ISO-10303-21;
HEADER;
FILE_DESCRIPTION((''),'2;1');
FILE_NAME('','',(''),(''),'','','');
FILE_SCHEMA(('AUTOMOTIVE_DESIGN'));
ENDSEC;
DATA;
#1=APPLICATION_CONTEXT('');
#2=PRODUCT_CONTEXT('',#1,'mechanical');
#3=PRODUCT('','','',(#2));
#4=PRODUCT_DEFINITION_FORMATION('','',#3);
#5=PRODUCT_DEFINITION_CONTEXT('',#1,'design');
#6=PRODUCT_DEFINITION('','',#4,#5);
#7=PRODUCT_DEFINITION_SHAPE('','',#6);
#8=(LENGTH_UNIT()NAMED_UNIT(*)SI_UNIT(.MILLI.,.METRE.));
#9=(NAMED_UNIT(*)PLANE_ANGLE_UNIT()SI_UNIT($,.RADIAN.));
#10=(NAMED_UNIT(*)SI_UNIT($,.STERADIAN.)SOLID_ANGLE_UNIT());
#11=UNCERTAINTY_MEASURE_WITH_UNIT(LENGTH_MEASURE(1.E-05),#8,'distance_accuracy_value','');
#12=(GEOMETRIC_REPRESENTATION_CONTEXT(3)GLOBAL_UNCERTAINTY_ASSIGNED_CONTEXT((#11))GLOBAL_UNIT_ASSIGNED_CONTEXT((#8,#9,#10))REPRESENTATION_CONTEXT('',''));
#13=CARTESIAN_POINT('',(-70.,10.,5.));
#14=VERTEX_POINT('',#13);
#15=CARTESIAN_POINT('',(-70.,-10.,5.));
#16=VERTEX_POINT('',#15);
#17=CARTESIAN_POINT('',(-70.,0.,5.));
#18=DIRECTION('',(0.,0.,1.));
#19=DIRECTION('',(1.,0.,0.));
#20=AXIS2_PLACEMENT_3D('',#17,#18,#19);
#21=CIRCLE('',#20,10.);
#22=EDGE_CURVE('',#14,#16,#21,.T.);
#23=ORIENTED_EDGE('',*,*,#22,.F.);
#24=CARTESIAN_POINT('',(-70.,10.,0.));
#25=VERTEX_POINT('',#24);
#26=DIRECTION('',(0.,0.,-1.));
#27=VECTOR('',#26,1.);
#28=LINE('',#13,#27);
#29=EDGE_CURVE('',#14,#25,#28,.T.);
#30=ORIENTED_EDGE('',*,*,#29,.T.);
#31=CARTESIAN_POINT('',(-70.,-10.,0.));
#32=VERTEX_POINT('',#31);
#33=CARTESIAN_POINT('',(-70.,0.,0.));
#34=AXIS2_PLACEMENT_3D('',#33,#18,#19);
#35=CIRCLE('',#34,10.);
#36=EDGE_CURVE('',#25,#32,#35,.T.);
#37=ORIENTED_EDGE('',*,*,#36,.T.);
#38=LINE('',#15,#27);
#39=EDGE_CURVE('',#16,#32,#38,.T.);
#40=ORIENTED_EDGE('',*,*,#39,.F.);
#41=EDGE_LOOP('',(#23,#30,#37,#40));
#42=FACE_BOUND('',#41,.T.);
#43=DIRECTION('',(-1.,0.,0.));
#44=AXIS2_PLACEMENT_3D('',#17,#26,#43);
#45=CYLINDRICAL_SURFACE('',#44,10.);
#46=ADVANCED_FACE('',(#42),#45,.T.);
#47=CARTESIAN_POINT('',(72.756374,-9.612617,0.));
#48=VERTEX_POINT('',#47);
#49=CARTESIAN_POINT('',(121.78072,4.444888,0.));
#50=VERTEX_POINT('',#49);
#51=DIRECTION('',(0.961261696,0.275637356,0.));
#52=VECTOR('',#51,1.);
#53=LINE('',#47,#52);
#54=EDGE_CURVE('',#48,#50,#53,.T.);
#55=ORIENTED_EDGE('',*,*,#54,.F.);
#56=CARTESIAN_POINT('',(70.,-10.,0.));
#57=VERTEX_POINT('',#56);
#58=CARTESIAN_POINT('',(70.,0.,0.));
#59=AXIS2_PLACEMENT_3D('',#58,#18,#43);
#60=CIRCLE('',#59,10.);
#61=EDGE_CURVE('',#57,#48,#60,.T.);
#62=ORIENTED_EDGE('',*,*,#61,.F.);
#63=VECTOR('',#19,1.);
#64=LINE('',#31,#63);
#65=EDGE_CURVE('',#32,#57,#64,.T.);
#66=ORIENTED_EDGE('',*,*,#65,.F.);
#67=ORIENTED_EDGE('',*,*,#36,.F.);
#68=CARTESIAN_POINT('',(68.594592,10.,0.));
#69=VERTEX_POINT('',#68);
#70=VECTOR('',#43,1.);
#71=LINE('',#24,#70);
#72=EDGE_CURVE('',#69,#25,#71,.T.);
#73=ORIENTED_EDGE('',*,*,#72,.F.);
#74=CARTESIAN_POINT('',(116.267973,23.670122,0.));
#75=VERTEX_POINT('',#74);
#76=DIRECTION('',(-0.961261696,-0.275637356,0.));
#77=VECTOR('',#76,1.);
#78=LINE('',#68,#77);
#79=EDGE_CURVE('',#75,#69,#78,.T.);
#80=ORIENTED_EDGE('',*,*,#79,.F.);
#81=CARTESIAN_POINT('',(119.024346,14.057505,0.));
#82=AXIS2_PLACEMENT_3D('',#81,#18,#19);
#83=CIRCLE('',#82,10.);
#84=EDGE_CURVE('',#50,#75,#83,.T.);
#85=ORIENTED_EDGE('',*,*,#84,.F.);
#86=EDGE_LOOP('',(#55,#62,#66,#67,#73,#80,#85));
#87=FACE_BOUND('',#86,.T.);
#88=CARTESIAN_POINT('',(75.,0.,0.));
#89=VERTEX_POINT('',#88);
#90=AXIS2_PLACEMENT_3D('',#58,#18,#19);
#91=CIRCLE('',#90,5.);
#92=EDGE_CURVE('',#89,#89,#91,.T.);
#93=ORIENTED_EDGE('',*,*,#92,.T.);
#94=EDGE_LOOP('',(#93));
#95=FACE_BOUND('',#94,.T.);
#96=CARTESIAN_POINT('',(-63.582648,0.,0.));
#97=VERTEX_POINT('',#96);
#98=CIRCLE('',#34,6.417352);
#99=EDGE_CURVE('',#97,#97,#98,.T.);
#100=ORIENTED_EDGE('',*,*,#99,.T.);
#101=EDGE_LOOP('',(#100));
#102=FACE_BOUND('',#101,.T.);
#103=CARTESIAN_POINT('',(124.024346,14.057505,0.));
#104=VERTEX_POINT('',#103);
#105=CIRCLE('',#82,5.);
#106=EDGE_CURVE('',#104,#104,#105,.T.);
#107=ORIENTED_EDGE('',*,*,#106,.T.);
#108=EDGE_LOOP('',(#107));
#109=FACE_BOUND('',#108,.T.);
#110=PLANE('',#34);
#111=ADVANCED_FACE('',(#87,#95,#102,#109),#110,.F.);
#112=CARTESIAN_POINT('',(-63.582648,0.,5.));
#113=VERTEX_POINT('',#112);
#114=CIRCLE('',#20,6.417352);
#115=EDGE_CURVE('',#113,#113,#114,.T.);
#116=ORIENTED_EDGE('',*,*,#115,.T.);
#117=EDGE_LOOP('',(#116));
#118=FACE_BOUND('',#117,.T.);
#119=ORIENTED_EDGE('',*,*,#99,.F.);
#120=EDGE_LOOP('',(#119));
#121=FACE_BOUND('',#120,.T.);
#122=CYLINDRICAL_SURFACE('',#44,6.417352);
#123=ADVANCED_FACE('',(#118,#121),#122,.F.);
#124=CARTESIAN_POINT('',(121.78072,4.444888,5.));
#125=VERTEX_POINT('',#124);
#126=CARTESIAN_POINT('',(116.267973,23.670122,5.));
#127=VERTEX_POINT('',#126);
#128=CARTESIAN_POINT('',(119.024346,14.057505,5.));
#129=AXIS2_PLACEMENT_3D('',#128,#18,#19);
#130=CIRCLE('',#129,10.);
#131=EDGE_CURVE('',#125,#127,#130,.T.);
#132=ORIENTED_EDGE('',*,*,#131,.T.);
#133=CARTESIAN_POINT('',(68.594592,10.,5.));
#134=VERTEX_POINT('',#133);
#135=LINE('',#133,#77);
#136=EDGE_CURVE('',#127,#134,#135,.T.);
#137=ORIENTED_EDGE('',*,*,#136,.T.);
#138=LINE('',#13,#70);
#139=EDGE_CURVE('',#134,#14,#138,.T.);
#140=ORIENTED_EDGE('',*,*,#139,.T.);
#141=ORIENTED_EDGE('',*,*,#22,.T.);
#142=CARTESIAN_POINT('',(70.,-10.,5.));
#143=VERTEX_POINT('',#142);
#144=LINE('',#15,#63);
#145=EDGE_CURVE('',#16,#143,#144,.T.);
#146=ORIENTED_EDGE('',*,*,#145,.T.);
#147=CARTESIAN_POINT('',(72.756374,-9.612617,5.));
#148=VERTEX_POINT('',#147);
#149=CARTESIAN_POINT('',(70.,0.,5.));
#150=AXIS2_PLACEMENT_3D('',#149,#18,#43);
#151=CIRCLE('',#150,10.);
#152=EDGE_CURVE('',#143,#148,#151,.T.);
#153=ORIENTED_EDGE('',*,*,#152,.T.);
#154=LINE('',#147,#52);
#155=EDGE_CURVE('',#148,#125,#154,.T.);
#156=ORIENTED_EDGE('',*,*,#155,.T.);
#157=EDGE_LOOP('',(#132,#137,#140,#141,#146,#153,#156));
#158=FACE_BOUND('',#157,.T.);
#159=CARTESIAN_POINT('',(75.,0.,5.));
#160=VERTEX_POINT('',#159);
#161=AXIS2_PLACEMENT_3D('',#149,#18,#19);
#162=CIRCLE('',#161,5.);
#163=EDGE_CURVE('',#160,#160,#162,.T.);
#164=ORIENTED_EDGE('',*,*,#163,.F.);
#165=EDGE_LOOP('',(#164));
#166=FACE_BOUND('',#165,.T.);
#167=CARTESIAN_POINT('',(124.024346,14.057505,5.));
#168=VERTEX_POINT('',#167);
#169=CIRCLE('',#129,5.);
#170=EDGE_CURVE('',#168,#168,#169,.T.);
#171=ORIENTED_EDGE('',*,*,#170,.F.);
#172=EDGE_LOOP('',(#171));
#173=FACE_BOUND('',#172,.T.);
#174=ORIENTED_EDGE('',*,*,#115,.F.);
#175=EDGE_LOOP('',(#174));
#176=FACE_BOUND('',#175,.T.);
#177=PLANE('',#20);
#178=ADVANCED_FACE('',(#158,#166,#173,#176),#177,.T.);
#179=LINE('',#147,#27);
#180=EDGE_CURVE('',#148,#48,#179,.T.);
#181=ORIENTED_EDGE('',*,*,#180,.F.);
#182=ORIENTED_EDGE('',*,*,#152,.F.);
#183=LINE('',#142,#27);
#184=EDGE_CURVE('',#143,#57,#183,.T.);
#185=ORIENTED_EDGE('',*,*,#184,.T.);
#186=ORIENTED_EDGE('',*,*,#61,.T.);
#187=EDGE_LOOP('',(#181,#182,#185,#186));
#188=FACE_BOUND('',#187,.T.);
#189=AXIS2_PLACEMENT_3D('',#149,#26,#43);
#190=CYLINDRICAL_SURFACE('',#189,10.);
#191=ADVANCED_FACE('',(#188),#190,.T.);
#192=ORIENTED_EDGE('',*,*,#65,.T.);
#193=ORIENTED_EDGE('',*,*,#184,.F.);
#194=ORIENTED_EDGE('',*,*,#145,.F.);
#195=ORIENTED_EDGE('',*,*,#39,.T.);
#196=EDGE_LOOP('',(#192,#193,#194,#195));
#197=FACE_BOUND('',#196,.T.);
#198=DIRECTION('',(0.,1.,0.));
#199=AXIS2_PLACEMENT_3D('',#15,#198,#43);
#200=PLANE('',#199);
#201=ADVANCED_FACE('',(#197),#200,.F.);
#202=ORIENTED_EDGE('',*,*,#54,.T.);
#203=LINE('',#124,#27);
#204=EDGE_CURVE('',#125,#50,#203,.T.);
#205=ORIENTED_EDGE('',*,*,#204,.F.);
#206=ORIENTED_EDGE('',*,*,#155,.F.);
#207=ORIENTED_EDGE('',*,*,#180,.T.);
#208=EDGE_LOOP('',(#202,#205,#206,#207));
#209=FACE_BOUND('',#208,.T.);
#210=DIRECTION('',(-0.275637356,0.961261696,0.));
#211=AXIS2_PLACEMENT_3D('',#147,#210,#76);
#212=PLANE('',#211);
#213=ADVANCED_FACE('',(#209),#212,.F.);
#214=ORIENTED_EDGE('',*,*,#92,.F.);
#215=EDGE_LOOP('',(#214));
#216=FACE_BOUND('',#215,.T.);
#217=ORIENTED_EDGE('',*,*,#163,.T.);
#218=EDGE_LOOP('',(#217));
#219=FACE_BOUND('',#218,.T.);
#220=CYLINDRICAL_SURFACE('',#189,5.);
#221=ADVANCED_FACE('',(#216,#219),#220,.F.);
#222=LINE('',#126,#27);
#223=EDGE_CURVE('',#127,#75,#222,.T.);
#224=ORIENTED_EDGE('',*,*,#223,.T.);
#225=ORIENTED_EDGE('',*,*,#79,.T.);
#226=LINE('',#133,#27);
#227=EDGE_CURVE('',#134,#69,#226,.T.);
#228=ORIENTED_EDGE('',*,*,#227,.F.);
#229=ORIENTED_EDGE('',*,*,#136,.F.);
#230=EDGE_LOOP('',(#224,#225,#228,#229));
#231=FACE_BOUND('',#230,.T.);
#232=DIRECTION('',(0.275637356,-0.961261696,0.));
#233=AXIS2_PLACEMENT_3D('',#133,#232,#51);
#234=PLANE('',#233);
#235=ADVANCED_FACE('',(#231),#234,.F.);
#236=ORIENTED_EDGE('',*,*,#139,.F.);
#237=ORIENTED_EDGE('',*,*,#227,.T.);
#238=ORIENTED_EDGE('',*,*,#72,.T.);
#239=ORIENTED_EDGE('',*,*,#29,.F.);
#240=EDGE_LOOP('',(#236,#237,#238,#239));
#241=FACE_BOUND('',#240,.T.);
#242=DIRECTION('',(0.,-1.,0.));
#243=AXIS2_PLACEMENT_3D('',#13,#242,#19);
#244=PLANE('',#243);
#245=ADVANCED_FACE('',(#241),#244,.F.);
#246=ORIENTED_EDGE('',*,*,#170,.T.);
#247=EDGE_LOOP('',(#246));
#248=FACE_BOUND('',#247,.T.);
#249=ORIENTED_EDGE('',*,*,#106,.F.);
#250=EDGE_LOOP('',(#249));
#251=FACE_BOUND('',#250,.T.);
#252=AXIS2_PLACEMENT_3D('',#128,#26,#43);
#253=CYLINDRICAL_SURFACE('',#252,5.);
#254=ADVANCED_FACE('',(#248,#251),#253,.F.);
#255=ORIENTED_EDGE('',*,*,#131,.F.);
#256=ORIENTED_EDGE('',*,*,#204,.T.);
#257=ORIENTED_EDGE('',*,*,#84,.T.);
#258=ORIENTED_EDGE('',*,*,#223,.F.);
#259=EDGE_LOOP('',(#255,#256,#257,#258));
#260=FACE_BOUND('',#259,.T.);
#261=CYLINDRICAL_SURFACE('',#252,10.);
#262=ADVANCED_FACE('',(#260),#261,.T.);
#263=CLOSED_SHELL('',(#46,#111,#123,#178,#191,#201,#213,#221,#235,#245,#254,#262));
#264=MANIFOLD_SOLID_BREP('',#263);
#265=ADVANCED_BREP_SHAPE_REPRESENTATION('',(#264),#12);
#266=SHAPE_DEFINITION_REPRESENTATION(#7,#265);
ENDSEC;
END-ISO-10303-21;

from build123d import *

# Parameters (mm, degrees)
CROQUIS1_R              = 5
CROQUIS1_R_2            = 6.417351574
SALIENTE_EXTRUIR1_DEPTH = 5


with BuildPart() as part:
    # Croquis1 → Saliente-Extruir1 (new body)
    with BuildSketch(Plane.XY):
        with BuildLine():
            Line((-70, 10), (68.594591653, 10))
            Line((68.594591653, 10), (116.267972935, 23.670122106))
            ThreePointArc((116.267972935, 23.670122106), (128.636963452, 16.813878705), (121.780720051, 4.444888187))
            Line((121.780720051, 4.444888187), (72.756373558, -9.612616959))
            ThreePointArc((72.756373558, -9.612616959), (71.39173101, -9.902680687), (70, -10))
            Line((70, -10), (-70, -10))
            ThreePointArc((-70, -10), (-80, 0), (-70, 10))
        make_face()
        with Locations((70, 0)):
            Circle(CROQUIS1_R, mode=Mode.SUBTRACT)
        with Locations((119.024346493, 14.057505147)):
            Circle(CROQUIS1_R, mode=Mode.SUBTRACT)
        with Locations((-70, 0)):
            Circle(CROQUIS1_R_2, mode=Mode.SUBTRACT)
    extrude(amount=SALIENTE_EXTRUIR1_DEPTH)


solid = part.part
